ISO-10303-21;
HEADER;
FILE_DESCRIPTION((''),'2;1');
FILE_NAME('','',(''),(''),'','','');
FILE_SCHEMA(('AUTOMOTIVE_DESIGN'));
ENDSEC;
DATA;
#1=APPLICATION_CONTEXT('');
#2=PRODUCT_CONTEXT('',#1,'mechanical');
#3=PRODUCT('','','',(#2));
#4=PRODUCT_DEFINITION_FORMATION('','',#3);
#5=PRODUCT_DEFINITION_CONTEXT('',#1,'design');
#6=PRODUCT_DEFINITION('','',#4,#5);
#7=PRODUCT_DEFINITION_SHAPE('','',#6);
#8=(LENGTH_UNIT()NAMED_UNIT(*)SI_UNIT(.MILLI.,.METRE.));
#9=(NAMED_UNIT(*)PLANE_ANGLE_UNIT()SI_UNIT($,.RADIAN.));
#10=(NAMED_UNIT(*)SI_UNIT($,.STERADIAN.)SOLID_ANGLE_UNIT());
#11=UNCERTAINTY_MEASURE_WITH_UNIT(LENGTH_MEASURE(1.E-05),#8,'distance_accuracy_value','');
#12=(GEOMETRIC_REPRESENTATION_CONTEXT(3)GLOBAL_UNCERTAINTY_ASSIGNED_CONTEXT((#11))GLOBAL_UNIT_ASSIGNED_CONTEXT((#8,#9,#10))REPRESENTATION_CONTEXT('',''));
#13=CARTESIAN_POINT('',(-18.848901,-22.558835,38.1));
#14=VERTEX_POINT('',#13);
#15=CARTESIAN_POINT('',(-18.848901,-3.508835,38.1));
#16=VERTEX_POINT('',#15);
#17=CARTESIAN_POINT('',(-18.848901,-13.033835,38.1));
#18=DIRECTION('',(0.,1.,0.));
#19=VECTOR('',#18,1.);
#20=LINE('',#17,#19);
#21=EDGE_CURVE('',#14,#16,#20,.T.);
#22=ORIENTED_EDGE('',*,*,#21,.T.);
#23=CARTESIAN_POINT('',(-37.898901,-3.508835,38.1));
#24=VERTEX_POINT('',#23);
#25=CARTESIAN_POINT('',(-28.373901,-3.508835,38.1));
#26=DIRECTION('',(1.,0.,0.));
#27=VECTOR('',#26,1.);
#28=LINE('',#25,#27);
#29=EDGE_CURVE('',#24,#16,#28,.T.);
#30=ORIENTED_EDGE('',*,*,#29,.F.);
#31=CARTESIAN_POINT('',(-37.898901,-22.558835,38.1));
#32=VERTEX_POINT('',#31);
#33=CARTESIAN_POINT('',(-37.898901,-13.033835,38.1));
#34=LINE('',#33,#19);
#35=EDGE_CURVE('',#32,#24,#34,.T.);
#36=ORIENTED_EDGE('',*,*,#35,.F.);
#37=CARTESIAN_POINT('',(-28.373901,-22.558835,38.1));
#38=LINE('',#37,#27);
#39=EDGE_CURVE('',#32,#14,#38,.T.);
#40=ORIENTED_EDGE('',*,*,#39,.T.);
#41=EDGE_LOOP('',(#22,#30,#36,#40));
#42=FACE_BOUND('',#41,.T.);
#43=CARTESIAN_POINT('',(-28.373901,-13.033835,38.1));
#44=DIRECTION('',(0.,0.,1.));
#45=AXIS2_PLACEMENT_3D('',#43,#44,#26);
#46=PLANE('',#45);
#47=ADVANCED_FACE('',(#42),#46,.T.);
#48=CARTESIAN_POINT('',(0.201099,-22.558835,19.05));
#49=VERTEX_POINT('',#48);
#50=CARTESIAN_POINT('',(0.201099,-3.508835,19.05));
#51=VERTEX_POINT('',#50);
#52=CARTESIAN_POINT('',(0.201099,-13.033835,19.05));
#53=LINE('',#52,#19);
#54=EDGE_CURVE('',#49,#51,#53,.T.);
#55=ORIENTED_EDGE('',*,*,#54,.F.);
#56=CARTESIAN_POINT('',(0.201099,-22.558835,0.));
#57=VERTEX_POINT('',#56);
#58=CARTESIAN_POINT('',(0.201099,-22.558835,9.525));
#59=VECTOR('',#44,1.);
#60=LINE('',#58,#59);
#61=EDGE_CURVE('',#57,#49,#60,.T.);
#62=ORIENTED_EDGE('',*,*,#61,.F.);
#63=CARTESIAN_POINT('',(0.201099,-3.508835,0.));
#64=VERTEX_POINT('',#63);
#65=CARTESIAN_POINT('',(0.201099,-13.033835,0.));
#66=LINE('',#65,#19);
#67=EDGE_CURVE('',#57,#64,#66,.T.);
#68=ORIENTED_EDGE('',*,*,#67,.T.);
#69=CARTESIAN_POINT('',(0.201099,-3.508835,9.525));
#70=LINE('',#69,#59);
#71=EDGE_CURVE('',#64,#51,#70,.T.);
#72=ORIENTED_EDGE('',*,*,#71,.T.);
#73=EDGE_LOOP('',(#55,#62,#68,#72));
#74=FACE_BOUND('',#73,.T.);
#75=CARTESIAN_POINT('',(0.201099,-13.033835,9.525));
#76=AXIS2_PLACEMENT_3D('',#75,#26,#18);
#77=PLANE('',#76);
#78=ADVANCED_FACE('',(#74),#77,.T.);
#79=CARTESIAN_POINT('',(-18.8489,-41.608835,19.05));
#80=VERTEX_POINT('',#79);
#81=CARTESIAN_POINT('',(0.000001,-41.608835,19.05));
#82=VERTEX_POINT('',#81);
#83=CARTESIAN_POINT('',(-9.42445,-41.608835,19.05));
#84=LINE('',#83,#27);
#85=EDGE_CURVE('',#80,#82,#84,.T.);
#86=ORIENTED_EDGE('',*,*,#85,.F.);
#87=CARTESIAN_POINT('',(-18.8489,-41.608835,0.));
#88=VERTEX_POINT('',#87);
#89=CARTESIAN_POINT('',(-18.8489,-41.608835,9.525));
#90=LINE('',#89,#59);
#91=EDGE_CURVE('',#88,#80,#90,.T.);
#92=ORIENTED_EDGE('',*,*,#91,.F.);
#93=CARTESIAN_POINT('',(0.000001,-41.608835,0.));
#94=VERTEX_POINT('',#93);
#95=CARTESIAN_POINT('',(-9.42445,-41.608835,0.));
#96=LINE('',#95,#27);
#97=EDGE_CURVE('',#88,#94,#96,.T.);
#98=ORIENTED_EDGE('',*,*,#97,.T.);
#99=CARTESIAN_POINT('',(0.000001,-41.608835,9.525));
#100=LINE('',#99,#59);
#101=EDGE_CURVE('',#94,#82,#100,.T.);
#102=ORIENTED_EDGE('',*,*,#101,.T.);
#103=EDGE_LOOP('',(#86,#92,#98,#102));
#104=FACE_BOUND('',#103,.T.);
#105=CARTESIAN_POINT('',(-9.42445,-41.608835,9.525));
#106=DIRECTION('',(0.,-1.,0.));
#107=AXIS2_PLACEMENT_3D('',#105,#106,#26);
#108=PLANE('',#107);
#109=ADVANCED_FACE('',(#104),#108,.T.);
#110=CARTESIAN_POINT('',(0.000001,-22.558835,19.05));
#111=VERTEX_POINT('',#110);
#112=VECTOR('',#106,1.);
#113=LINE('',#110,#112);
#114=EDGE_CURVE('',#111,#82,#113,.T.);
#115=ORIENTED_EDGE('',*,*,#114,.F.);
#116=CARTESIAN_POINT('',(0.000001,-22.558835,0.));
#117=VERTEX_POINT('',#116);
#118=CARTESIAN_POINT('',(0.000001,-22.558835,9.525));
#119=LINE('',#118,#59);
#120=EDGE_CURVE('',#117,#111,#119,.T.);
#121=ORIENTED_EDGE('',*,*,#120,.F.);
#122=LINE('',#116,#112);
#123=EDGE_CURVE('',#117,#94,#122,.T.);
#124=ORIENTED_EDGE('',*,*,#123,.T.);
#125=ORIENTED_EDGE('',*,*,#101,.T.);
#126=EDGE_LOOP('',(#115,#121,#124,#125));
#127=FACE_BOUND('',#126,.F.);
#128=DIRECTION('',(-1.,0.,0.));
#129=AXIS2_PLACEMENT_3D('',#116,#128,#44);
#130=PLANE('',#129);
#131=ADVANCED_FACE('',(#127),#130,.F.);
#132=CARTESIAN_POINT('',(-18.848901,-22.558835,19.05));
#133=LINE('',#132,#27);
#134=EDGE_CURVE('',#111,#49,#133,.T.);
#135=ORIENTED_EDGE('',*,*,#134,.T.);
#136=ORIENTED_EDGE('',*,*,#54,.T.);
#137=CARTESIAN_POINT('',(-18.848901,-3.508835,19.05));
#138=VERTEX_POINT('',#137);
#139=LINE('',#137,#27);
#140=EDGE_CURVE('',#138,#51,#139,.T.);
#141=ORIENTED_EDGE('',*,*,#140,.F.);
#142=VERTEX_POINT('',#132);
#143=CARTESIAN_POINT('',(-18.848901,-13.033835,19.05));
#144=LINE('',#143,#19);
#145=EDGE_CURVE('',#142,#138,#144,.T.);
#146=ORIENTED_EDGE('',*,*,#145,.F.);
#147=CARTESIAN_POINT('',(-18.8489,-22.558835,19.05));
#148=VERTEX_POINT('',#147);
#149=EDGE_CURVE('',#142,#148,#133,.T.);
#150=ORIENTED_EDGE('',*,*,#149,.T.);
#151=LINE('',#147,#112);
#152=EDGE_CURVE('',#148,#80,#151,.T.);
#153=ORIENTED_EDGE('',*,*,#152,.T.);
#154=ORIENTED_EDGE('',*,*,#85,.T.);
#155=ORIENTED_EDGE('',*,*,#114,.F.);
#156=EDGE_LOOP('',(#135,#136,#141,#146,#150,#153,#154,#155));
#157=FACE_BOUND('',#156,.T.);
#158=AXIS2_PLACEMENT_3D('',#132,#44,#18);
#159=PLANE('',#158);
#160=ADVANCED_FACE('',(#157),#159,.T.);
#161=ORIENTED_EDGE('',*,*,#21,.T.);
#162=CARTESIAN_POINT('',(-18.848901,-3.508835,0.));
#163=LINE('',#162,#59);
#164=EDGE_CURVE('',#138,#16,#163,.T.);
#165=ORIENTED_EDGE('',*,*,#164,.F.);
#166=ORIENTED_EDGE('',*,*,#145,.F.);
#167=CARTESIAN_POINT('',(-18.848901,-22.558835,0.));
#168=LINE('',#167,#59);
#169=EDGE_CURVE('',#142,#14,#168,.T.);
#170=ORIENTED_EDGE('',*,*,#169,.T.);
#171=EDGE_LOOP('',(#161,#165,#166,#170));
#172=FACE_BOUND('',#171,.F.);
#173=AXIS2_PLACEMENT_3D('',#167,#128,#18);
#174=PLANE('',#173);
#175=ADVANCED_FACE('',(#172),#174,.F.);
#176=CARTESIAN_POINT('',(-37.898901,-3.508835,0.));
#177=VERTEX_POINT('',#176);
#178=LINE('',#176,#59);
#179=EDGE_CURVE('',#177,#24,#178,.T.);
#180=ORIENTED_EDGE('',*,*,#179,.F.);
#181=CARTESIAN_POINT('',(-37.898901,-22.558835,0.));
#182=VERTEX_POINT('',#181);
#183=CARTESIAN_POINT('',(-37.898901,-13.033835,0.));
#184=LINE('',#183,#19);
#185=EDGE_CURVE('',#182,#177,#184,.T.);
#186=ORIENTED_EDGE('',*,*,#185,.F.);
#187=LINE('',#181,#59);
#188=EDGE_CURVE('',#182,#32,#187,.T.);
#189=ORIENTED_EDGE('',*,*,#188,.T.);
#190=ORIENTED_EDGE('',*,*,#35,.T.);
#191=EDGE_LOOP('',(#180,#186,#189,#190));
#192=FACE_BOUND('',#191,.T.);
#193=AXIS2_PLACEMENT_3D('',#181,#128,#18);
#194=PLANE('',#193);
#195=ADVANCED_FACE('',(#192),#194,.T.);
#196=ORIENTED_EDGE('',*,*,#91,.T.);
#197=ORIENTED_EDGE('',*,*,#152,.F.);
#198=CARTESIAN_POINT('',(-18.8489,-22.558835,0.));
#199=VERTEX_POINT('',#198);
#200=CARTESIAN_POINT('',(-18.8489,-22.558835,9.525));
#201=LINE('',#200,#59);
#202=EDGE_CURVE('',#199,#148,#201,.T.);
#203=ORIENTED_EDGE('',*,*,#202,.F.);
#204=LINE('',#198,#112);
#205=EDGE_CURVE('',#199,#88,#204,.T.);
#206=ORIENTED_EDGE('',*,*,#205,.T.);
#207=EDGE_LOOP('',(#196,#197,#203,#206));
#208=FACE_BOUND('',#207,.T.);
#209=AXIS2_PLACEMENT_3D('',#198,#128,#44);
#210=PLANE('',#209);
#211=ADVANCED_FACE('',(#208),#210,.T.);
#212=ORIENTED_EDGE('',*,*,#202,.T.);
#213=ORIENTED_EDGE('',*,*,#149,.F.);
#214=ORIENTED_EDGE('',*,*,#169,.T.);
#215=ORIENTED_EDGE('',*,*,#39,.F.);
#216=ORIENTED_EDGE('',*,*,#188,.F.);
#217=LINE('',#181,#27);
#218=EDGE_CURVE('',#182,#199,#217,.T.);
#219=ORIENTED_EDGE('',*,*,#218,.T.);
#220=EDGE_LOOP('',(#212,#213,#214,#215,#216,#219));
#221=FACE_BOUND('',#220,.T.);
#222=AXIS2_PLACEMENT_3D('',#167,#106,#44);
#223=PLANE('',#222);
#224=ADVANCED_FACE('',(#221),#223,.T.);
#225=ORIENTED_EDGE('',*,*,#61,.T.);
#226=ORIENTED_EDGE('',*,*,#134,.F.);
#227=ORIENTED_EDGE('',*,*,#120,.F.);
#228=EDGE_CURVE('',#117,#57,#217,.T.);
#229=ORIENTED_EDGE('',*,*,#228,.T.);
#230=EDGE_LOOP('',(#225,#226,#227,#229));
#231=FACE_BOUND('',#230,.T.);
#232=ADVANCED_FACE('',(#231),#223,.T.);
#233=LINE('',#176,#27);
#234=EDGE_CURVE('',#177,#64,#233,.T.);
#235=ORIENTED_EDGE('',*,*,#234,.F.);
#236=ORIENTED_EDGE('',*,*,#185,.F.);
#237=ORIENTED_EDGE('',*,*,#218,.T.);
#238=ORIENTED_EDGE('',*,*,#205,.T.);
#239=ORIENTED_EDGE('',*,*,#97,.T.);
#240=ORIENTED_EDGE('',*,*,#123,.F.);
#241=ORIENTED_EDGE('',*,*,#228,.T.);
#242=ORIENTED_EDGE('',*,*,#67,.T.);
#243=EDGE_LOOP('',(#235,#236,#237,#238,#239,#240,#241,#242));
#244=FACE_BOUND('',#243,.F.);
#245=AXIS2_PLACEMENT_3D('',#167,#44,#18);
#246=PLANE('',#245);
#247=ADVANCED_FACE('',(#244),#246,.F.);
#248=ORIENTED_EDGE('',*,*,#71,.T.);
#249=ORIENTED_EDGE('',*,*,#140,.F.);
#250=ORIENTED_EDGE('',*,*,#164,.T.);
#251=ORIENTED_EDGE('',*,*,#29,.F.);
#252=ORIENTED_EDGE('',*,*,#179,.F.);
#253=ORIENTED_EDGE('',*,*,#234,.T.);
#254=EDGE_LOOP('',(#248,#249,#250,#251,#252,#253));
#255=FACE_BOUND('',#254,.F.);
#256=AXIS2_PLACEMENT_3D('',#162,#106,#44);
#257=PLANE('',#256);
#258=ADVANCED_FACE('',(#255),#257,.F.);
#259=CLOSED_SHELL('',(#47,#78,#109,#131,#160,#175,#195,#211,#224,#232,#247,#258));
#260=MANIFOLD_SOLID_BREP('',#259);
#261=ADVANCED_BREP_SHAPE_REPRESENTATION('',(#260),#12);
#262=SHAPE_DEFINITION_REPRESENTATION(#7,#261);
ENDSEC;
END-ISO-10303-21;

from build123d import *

# Parameters (mm, degrees)
F0_W     = 19.05
F0_H     = 19.05
F1_DEPTH = 38.1
F2_W     = 19.05
F2_H     = 19.05
F3_DEPTH = 19.05
F4_W     = 18.848901
F4_H     = 19.05
F5_DEPTH = 19.05


with BuildPart() as f1:
    # F0 (on Top) → F1 (new body)
    with BuildSketch(Plane.XY):
        with Locations((-28.373901, -13.033835)):
            Rectangle(F0_W, F0_H)
    extrude(amount=F1_DEPTH)

    # F2 (on face) → F3 (join)
    with BuildSketch(Plane.YZ.offset(-18.848901)):
        with Locations((-13.033835, 9.525)):
            Rectangle(F2_W, F2_H)
    extrude(amount=F3_DEPTH)

    # F4 (on face) → F5 (join)
    with BuildSketch(Plane.XZ.offset(22.558835)):
        with Locations((-9.42445, 9.525)):
            Rectangle(F4_W, F4_H)
    extrude(amount=F5_DEPTH)


solid = f1.part
